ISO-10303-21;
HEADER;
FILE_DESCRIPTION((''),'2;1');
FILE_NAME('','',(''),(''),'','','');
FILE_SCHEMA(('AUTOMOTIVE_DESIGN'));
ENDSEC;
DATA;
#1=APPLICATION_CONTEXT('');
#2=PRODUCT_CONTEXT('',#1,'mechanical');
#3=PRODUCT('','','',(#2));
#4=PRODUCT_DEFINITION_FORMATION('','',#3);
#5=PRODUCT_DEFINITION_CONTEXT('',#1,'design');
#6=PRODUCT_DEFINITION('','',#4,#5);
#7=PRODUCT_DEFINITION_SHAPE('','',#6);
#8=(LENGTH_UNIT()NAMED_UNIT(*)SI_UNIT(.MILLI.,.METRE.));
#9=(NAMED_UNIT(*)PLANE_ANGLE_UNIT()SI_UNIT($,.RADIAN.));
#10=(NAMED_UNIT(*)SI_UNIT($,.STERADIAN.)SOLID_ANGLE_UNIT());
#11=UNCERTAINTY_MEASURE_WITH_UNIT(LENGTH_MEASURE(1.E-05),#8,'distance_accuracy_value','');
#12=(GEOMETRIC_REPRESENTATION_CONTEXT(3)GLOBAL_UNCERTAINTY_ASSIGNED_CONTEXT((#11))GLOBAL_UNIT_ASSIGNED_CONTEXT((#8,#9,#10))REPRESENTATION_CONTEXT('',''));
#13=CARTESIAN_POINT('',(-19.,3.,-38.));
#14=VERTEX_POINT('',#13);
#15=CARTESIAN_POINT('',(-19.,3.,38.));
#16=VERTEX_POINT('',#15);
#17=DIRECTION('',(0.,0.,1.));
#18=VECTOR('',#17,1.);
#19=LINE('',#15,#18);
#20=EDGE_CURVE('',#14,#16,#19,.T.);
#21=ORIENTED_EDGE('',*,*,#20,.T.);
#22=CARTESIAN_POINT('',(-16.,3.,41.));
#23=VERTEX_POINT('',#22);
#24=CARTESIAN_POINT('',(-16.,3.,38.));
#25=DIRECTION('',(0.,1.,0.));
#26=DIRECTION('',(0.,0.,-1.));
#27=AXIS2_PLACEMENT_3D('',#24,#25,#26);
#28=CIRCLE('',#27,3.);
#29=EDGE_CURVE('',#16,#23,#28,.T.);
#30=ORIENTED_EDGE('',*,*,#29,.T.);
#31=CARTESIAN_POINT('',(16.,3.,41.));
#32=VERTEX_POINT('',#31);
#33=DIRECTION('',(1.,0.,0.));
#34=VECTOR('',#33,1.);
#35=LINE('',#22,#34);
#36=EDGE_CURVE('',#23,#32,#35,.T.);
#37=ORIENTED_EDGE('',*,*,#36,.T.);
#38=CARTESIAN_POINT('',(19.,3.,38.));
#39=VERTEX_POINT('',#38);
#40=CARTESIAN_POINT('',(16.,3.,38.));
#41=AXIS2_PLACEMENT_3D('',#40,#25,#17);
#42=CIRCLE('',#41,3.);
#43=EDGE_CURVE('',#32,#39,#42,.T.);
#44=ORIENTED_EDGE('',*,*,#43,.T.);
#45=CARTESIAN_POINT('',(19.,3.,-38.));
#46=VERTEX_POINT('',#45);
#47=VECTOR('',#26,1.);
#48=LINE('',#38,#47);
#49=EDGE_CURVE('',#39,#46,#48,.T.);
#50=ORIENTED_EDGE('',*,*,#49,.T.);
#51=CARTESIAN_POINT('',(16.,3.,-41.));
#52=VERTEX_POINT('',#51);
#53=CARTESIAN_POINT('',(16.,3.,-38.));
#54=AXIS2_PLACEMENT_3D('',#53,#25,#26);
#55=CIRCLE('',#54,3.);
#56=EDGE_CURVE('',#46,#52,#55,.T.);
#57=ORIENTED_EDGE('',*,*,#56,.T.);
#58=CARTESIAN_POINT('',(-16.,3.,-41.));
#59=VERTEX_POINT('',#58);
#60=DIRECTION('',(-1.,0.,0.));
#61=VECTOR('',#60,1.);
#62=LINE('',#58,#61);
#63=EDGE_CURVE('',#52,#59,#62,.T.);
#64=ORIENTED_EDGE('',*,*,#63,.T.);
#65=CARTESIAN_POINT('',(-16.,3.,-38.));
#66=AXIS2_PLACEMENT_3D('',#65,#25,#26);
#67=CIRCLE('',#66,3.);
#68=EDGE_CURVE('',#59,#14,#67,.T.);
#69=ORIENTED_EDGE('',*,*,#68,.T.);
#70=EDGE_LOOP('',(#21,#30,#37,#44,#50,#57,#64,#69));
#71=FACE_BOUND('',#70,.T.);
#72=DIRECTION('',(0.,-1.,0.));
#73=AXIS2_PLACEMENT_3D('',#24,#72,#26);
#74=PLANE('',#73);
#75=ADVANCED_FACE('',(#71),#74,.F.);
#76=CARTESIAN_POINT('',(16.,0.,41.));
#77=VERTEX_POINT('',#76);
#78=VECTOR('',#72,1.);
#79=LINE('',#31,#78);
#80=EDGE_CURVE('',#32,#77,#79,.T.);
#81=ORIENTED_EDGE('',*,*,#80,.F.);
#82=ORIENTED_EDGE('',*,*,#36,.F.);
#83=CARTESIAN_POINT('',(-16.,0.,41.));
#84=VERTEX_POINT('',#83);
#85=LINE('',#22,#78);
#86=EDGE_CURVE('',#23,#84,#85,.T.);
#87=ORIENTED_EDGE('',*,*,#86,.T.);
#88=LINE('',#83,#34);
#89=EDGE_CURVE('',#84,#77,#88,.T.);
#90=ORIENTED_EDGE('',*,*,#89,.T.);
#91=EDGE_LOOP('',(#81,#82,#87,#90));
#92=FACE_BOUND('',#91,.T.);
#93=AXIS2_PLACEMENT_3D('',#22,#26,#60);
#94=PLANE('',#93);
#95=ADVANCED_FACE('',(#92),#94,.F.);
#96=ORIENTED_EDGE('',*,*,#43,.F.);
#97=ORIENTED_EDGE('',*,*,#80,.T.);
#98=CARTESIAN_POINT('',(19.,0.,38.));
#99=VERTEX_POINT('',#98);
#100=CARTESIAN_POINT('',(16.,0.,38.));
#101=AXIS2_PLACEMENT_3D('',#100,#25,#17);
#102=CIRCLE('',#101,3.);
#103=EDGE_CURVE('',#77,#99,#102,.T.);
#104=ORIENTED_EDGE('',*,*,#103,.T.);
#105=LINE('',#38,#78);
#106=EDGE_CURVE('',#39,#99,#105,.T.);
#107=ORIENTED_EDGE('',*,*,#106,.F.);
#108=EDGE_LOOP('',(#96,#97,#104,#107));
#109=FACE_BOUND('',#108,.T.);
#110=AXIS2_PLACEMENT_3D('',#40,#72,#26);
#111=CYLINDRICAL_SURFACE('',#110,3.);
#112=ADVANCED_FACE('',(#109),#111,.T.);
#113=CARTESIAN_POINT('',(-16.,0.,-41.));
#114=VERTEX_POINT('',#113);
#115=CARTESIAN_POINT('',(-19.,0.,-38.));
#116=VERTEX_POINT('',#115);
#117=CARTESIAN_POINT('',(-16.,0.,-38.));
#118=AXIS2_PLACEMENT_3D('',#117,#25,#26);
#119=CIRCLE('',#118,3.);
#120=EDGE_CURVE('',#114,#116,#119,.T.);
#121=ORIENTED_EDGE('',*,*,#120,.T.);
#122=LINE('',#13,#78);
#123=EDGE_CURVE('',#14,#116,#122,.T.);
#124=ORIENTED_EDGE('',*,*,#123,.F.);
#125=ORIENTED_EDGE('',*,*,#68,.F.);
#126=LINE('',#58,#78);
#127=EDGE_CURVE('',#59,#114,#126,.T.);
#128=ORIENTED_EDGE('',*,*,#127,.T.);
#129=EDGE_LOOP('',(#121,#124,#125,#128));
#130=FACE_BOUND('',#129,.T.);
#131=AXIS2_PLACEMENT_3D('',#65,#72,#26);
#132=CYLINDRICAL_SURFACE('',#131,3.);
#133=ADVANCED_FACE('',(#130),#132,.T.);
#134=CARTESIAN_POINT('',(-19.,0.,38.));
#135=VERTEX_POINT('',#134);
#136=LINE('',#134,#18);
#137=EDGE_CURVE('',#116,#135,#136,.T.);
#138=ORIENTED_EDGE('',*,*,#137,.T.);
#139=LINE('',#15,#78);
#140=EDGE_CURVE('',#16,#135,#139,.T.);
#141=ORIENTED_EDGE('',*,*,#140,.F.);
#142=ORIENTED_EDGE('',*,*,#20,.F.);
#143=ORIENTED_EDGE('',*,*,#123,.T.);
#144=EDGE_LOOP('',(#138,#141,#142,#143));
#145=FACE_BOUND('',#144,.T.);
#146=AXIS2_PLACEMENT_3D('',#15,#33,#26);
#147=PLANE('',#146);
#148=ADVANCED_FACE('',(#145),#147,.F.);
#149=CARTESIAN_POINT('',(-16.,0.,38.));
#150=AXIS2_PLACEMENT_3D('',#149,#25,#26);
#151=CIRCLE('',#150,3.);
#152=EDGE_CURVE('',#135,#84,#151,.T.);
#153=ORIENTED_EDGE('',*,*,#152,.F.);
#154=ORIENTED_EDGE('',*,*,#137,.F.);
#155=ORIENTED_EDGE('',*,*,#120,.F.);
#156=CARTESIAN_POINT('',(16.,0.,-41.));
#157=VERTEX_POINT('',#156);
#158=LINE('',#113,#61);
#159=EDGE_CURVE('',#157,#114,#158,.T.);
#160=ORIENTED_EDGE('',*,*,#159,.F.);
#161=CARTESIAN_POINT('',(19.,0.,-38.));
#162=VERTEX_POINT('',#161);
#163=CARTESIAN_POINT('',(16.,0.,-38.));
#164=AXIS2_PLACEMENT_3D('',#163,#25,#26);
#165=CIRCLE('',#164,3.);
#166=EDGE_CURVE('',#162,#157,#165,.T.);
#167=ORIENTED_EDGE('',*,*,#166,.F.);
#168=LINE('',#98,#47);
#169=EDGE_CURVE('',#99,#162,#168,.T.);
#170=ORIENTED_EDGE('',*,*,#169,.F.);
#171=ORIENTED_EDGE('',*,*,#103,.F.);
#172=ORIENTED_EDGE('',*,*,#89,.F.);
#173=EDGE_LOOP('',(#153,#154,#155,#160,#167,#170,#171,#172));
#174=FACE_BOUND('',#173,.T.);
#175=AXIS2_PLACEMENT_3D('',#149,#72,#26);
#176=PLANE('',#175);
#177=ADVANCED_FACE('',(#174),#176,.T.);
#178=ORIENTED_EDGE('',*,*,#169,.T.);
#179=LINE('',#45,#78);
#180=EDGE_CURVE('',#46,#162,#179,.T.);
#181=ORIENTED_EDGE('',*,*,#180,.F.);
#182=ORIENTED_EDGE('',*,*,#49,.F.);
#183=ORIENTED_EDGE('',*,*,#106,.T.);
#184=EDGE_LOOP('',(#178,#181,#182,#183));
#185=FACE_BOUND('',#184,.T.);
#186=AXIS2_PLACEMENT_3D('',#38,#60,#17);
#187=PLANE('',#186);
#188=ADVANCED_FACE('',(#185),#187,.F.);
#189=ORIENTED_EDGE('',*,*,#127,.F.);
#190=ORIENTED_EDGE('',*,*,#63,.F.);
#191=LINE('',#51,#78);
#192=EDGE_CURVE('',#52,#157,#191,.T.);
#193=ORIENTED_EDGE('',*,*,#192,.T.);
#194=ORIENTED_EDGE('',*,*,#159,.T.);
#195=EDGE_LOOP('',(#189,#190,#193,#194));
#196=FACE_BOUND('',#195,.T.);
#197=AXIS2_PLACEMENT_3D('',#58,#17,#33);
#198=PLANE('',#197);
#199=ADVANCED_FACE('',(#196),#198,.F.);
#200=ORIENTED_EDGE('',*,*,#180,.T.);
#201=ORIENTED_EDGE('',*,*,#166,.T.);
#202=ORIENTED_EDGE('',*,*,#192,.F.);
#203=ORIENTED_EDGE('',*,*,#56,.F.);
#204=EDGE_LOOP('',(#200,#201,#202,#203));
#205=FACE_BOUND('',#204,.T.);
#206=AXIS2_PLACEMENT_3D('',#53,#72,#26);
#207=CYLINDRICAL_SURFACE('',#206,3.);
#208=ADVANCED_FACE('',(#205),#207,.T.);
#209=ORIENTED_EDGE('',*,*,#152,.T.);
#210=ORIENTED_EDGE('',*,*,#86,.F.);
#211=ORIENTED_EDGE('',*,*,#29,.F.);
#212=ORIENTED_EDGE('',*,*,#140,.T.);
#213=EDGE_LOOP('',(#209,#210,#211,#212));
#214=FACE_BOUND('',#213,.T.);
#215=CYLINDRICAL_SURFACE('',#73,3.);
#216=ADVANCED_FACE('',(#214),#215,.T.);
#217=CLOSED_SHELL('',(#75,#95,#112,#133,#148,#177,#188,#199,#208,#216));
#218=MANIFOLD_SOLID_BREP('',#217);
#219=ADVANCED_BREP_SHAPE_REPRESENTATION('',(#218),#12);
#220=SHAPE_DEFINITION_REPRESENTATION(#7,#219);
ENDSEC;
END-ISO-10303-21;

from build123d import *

# Parameters (mm, degrees)
BOSS_EXTRUDE1_DEPTH = 3


with BuildPart() as part:
    # Sketch1 → Boss-Extrude1 (new body)
    with BuildSketch(Plane(origin=(0, 0, 0), x_dir=(1, 0, 0), z_dir=(0, 1, 0))):
        with BuildLine():
            Line((-16, -41), (16, -41))
            ThreePointArc((16, -41), (18.121320344, -40.121320344), (19, -38))
            Line((19, -38), (19, 38))
            ThreePointArc((19, 38), (18.121320344, 40.121320344), (16, 41))
            Line((16, 41), (-16, 41))
            ThreePointArc((-16, 41), (-18.121320344, 40.121320344), (-19, 38))
            Line((-19, 38), (-19, -38))
            ThreePointArc((-19, -38), (-18.121320344, -40.121320344), (-16, -41))
        make_face()
    extrude(amount=BOSS_EXTRUDE1_DEPTH)


solid = part.part
